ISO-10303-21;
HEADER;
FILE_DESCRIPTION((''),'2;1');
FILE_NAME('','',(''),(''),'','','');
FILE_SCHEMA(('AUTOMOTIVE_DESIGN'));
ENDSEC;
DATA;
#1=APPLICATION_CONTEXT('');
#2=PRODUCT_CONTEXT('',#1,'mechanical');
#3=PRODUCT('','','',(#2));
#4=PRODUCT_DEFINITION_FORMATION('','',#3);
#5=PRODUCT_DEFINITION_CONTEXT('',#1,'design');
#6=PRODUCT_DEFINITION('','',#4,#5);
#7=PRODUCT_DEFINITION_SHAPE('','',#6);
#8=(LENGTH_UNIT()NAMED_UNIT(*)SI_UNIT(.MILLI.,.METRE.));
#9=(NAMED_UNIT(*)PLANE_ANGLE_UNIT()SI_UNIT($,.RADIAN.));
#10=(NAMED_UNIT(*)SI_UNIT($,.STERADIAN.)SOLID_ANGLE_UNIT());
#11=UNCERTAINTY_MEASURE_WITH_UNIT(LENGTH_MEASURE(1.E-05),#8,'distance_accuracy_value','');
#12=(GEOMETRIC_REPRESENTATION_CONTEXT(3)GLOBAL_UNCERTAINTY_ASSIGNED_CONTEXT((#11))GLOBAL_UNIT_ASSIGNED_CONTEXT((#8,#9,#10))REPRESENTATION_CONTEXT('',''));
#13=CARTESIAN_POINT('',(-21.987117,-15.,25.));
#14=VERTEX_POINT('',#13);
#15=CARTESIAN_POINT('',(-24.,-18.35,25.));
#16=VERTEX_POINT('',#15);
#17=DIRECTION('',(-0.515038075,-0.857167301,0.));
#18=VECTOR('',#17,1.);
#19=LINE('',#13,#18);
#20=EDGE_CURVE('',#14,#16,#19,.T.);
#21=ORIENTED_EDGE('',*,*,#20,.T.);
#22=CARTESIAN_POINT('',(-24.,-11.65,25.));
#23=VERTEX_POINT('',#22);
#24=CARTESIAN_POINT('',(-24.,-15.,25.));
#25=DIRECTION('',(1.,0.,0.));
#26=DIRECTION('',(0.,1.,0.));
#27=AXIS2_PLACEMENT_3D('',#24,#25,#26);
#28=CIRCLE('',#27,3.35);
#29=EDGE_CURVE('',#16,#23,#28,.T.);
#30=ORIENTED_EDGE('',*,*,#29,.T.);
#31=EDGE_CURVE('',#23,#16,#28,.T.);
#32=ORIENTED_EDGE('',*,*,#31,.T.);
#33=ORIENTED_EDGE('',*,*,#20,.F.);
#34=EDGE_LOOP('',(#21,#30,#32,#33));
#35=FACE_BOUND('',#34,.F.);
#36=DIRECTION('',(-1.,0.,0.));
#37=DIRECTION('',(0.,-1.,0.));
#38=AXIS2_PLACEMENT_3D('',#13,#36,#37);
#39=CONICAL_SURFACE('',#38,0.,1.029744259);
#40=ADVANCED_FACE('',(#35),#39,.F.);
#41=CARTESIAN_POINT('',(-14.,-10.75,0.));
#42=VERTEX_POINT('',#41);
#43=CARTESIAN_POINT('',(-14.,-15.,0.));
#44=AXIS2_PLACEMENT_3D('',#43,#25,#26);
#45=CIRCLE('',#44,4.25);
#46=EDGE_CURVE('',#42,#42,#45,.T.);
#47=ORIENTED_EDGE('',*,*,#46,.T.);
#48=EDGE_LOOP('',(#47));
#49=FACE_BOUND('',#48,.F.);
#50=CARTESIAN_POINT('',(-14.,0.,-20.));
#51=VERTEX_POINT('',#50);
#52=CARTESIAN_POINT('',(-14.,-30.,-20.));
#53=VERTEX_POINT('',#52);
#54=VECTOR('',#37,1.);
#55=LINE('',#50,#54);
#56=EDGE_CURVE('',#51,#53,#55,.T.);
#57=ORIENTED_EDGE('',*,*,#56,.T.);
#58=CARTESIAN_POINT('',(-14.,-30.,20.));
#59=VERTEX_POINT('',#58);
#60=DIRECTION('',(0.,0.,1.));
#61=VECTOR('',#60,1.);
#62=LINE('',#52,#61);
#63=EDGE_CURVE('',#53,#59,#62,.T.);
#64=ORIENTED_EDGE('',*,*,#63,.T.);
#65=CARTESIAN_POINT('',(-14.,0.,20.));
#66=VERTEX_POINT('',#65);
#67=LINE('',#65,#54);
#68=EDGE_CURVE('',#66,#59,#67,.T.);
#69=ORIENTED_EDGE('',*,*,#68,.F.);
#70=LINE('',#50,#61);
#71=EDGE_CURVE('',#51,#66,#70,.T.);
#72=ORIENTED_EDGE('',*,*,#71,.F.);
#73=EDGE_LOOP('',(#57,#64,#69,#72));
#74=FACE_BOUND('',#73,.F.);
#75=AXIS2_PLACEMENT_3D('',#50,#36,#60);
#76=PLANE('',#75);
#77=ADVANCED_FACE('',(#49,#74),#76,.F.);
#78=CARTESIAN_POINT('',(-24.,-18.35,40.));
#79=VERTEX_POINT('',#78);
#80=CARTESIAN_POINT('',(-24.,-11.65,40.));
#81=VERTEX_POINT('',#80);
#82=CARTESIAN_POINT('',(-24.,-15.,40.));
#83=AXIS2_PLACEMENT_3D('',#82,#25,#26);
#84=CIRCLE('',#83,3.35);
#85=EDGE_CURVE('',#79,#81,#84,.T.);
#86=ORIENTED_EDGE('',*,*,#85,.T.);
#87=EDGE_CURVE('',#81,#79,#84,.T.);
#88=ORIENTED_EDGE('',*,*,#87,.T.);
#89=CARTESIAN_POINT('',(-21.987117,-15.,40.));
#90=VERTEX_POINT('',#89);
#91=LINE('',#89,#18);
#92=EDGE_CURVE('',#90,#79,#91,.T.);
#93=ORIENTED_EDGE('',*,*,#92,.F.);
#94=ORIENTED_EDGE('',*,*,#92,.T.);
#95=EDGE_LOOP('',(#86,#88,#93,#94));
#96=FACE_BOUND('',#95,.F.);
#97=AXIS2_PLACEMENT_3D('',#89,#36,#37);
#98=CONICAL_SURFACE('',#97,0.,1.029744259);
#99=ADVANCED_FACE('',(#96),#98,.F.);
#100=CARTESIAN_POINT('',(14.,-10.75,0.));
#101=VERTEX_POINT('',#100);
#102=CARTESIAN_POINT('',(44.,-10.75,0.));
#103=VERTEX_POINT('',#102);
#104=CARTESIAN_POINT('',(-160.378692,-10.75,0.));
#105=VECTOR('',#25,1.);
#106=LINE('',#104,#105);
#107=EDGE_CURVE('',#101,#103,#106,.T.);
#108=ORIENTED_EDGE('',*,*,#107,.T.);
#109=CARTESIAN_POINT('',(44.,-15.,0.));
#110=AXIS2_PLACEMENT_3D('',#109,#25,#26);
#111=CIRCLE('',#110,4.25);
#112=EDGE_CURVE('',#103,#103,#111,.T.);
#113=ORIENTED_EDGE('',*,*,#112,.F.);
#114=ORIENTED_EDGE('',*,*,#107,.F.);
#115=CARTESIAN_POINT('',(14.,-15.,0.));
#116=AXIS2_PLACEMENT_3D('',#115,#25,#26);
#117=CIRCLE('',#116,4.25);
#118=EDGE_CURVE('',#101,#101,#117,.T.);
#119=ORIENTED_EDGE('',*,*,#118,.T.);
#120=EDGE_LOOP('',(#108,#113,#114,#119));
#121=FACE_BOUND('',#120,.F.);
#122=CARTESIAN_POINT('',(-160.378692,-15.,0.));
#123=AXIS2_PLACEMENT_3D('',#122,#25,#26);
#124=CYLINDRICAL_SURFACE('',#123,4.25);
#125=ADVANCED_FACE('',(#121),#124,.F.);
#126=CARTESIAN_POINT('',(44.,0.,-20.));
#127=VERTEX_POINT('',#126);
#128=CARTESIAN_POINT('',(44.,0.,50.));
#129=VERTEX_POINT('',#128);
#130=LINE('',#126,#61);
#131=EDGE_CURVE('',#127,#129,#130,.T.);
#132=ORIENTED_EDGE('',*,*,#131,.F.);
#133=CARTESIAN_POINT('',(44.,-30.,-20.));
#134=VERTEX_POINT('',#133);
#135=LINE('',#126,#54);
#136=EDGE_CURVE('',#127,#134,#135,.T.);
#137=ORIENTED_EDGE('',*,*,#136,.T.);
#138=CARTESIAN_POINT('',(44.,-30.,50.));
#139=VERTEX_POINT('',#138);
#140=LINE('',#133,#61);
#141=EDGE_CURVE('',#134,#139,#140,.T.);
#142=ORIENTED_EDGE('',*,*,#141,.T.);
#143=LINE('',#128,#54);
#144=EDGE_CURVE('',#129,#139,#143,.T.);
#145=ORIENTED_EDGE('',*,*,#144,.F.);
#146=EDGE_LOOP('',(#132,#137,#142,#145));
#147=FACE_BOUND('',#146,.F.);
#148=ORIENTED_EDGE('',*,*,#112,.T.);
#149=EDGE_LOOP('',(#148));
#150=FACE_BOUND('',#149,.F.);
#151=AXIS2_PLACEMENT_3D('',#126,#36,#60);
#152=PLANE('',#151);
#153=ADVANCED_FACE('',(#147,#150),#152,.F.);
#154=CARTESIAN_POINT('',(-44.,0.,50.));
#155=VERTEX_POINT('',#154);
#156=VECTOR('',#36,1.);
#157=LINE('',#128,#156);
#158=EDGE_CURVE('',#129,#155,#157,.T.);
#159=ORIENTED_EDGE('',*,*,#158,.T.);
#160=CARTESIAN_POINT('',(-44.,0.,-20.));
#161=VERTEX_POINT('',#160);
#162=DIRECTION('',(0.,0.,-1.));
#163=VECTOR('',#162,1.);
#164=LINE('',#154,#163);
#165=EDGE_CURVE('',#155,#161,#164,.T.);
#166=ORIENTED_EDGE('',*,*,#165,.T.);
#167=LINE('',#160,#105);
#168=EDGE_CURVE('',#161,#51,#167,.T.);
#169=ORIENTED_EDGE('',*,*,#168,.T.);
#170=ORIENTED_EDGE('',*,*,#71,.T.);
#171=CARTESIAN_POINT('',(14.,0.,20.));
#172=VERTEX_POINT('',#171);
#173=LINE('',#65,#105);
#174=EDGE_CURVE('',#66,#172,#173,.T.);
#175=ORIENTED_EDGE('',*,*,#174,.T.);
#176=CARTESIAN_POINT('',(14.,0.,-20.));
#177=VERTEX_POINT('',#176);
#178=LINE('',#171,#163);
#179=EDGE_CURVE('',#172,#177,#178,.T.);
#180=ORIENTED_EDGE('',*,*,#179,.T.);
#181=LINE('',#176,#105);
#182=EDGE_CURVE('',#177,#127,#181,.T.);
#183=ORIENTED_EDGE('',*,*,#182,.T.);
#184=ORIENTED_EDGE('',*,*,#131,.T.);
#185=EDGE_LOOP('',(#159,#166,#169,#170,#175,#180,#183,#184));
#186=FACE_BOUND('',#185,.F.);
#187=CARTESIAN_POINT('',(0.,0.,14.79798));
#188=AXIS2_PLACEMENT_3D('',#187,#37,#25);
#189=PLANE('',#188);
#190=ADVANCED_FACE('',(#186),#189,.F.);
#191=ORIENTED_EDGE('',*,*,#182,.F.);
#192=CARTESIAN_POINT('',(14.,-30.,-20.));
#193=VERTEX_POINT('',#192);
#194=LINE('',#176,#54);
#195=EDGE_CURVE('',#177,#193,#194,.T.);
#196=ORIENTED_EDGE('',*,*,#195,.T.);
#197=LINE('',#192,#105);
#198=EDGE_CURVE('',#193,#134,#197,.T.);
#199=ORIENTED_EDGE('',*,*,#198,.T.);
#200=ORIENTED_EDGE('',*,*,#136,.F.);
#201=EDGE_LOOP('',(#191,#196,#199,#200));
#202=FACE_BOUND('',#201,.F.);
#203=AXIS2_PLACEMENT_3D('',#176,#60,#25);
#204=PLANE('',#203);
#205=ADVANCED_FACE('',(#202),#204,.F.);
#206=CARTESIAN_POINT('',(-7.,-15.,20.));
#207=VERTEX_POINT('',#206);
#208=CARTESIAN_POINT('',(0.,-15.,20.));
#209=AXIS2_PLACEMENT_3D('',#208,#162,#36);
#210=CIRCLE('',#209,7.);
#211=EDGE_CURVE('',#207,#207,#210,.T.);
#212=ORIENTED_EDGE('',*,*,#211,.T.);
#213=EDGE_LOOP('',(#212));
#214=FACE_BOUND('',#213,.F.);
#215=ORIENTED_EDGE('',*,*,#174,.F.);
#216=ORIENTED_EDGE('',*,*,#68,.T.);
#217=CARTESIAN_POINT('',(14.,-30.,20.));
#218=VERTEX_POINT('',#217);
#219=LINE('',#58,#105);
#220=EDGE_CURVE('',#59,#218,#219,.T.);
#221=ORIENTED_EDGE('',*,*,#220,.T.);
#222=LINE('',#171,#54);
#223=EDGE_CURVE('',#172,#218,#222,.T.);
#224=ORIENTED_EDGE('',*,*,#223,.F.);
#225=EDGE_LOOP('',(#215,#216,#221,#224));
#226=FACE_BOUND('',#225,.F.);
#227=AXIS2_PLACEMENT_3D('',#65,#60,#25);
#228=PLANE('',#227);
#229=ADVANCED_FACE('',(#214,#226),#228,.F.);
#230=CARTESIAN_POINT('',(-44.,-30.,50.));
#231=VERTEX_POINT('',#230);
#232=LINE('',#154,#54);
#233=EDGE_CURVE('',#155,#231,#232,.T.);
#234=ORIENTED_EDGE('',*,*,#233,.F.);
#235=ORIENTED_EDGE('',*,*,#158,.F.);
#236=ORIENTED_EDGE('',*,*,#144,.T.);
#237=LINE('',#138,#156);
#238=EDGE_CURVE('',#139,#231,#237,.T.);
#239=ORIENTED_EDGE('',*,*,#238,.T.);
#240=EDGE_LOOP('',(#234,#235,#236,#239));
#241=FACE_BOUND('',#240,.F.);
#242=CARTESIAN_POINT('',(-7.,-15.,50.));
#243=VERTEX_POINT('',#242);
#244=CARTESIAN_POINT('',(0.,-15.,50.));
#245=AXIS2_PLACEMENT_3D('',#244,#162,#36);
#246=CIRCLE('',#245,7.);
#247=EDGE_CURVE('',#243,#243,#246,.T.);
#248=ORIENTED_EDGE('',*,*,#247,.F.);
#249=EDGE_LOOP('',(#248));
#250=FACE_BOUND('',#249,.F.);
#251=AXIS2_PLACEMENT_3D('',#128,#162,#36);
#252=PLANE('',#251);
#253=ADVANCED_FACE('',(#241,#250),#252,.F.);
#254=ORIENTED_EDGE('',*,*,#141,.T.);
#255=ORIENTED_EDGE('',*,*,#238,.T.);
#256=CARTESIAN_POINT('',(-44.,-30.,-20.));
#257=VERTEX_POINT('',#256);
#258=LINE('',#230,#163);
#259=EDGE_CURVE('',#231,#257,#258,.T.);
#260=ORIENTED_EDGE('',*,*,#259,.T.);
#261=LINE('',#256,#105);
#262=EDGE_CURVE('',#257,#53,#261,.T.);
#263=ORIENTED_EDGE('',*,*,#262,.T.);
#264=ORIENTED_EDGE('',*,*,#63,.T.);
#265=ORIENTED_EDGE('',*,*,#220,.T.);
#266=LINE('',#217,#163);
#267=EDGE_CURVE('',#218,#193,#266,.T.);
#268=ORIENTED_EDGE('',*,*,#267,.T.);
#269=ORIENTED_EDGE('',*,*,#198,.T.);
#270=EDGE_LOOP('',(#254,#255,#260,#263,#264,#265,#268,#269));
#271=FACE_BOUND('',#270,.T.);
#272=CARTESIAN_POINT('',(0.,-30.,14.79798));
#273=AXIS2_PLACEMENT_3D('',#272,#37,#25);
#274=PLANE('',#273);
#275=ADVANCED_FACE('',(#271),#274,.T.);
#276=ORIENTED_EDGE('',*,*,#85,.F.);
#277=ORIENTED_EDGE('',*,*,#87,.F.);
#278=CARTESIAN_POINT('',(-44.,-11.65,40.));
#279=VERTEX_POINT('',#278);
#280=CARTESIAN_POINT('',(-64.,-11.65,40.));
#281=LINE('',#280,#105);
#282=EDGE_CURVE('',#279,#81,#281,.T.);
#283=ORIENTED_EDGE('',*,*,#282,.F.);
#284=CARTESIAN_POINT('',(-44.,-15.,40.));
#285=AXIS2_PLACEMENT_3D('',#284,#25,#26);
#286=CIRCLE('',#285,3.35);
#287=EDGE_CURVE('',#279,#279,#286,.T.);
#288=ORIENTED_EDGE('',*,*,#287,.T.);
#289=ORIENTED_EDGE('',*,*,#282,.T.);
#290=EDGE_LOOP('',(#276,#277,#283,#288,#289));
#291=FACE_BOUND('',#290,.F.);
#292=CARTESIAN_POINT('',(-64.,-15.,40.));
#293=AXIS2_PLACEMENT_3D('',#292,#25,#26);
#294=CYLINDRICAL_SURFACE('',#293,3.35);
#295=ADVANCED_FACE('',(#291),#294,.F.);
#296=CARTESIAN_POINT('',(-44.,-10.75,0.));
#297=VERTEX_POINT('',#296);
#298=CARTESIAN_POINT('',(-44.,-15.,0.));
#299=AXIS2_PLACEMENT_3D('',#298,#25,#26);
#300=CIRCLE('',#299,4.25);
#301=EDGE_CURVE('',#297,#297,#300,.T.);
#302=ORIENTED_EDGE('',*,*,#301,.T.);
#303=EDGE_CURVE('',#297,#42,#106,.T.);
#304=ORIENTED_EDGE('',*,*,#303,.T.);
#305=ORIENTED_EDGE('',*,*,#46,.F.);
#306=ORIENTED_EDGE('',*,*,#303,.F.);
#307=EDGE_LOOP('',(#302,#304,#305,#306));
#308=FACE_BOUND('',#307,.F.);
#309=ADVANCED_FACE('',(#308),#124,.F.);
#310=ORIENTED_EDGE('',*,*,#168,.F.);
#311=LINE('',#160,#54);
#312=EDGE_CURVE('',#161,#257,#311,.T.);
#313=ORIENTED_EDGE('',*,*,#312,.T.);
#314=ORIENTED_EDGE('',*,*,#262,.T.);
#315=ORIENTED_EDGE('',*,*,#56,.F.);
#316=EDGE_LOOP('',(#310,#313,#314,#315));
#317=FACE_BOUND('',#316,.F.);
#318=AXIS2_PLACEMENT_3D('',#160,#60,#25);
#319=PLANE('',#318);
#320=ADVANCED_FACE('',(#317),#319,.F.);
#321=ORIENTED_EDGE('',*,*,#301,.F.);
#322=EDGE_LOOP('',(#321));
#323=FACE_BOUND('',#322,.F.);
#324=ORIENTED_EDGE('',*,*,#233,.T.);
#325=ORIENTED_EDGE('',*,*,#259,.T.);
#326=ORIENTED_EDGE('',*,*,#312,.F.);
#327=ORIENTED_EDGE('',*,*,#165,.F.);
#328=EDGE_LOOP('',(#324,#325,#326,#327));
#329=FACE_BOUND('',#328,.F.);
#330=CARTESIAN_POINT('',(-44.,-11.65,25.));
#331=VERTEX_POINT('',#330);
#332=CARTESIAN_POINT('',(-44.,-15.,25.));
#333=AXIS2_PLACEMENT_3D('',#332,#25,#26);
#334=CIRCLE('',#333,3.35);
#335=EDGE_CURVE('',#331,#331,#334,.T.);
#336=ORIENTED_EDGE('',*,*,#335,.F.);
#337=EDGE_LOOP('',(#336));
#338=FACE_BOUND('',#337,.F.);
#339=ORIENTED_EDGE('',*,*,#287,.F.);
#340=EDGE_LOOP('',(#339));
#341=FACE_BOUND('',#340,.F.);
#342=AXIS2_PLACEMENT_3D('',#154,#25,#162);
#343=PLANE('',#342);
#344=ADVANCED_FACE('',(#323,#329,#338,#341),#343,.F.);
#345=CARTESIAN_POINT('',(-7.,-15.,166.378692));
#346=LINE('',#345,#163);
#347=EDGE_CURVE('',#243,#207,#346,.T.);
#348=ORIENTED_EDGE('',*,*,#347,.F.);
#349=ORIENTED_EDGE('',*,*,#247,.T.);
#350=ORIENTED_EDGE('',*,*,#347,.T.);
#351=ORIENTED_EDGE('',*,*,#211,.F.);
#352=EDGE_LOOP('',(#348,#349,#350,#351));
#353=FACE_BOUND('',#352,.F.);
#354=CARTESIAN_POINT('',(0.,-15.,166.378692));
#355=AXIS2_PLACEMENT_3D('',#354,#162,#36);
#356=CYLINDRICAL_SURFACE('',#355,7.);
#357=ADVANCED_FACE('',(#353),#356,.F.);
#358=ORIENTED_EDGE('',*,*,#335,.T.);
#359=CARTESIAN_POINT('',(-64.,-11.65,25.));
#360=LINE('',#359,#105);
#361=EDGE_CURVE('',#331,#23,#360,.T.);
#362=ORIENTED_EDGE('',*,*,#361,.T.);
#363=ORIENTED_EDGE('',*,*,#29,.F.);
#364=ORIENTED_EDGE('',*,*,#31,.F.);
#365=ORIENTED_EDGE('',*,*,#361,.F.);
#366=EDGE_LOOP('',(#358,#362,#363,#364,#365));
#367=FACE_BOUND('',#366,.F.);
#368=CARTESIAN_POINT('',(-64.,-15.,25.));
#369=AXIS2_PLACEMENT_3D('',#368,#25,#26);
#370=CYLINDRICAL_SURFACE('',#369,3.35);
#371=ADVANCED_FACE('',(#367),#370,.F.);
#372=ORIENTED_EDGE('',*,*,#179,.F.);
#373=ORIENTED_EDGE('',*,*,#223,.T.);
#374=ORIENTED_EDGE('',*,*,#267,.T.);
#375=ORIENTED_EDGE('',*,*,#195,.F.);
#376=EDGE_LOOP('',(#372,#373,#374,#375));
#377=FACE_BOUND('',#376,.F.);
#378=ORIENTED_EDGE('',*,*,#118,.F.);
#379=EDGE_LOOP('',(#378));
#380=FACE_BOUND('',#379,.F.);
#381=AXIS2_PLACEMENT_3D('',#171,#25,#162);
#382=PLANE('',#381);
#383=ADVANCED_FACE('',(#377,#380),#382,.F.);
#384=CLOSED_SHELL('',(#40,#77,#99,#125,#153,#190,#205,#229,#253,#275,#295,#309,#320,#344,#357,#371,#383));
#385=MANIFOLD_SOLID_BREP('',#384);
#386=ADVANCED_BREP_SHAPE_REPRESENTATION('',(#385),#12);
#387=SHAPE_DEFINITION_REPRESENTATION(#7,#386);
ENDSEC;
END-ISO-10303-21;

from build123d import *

# Parameters (mm, degrees)
F1_DEPTH = 30
F3_D     = 6.7
F3_DEPTH = 20
F3_TIP   = 2.0128830737
F5_D     = 14
F7_D     = 8.5


with BuildPart() as f1:
    # F0 (on Front) → F1 (new body)
    with BuildSketch(Plane.XZ):
        Polygon((-14, 20), (14, 20), (14, -20), (44, -20), (44, 50), (-44, 50), (-44, -20), (-14, -20), align=None)
    extrude(amount=F1_DEPTH)

    # F3
    with Locations(Plane(origin=(-44, 0, 0), x_dir=(0, -1, 0), z_dir=(-1, 0, 0))):
        with Locations((15, 40), (15, 25)):
            Hole(F3_D / 2, depth=F3_DEPTH)
            with Locations((0, 0, -(F3_DEPTH + F3_TIP / 2))):  # 118° drill point
                Cone(0, F3_D / 2, F3_TIP, mode=Mode.SUBTRACT)

    # F5 (through all)
    with Locations(Plane.XY.offset(50)):
        with Locations((0, -15)):
            Hole(F5_D / 2)

    # F7 (through all)
    with Locations(Plane(origin=(-44, 0, 0), x_dir=(0, -1, 0), z_dir=(-1, 0, 0))):
        with Locations((15, 0)):
            Hole(F7_D / 2)


solid = f1.part
